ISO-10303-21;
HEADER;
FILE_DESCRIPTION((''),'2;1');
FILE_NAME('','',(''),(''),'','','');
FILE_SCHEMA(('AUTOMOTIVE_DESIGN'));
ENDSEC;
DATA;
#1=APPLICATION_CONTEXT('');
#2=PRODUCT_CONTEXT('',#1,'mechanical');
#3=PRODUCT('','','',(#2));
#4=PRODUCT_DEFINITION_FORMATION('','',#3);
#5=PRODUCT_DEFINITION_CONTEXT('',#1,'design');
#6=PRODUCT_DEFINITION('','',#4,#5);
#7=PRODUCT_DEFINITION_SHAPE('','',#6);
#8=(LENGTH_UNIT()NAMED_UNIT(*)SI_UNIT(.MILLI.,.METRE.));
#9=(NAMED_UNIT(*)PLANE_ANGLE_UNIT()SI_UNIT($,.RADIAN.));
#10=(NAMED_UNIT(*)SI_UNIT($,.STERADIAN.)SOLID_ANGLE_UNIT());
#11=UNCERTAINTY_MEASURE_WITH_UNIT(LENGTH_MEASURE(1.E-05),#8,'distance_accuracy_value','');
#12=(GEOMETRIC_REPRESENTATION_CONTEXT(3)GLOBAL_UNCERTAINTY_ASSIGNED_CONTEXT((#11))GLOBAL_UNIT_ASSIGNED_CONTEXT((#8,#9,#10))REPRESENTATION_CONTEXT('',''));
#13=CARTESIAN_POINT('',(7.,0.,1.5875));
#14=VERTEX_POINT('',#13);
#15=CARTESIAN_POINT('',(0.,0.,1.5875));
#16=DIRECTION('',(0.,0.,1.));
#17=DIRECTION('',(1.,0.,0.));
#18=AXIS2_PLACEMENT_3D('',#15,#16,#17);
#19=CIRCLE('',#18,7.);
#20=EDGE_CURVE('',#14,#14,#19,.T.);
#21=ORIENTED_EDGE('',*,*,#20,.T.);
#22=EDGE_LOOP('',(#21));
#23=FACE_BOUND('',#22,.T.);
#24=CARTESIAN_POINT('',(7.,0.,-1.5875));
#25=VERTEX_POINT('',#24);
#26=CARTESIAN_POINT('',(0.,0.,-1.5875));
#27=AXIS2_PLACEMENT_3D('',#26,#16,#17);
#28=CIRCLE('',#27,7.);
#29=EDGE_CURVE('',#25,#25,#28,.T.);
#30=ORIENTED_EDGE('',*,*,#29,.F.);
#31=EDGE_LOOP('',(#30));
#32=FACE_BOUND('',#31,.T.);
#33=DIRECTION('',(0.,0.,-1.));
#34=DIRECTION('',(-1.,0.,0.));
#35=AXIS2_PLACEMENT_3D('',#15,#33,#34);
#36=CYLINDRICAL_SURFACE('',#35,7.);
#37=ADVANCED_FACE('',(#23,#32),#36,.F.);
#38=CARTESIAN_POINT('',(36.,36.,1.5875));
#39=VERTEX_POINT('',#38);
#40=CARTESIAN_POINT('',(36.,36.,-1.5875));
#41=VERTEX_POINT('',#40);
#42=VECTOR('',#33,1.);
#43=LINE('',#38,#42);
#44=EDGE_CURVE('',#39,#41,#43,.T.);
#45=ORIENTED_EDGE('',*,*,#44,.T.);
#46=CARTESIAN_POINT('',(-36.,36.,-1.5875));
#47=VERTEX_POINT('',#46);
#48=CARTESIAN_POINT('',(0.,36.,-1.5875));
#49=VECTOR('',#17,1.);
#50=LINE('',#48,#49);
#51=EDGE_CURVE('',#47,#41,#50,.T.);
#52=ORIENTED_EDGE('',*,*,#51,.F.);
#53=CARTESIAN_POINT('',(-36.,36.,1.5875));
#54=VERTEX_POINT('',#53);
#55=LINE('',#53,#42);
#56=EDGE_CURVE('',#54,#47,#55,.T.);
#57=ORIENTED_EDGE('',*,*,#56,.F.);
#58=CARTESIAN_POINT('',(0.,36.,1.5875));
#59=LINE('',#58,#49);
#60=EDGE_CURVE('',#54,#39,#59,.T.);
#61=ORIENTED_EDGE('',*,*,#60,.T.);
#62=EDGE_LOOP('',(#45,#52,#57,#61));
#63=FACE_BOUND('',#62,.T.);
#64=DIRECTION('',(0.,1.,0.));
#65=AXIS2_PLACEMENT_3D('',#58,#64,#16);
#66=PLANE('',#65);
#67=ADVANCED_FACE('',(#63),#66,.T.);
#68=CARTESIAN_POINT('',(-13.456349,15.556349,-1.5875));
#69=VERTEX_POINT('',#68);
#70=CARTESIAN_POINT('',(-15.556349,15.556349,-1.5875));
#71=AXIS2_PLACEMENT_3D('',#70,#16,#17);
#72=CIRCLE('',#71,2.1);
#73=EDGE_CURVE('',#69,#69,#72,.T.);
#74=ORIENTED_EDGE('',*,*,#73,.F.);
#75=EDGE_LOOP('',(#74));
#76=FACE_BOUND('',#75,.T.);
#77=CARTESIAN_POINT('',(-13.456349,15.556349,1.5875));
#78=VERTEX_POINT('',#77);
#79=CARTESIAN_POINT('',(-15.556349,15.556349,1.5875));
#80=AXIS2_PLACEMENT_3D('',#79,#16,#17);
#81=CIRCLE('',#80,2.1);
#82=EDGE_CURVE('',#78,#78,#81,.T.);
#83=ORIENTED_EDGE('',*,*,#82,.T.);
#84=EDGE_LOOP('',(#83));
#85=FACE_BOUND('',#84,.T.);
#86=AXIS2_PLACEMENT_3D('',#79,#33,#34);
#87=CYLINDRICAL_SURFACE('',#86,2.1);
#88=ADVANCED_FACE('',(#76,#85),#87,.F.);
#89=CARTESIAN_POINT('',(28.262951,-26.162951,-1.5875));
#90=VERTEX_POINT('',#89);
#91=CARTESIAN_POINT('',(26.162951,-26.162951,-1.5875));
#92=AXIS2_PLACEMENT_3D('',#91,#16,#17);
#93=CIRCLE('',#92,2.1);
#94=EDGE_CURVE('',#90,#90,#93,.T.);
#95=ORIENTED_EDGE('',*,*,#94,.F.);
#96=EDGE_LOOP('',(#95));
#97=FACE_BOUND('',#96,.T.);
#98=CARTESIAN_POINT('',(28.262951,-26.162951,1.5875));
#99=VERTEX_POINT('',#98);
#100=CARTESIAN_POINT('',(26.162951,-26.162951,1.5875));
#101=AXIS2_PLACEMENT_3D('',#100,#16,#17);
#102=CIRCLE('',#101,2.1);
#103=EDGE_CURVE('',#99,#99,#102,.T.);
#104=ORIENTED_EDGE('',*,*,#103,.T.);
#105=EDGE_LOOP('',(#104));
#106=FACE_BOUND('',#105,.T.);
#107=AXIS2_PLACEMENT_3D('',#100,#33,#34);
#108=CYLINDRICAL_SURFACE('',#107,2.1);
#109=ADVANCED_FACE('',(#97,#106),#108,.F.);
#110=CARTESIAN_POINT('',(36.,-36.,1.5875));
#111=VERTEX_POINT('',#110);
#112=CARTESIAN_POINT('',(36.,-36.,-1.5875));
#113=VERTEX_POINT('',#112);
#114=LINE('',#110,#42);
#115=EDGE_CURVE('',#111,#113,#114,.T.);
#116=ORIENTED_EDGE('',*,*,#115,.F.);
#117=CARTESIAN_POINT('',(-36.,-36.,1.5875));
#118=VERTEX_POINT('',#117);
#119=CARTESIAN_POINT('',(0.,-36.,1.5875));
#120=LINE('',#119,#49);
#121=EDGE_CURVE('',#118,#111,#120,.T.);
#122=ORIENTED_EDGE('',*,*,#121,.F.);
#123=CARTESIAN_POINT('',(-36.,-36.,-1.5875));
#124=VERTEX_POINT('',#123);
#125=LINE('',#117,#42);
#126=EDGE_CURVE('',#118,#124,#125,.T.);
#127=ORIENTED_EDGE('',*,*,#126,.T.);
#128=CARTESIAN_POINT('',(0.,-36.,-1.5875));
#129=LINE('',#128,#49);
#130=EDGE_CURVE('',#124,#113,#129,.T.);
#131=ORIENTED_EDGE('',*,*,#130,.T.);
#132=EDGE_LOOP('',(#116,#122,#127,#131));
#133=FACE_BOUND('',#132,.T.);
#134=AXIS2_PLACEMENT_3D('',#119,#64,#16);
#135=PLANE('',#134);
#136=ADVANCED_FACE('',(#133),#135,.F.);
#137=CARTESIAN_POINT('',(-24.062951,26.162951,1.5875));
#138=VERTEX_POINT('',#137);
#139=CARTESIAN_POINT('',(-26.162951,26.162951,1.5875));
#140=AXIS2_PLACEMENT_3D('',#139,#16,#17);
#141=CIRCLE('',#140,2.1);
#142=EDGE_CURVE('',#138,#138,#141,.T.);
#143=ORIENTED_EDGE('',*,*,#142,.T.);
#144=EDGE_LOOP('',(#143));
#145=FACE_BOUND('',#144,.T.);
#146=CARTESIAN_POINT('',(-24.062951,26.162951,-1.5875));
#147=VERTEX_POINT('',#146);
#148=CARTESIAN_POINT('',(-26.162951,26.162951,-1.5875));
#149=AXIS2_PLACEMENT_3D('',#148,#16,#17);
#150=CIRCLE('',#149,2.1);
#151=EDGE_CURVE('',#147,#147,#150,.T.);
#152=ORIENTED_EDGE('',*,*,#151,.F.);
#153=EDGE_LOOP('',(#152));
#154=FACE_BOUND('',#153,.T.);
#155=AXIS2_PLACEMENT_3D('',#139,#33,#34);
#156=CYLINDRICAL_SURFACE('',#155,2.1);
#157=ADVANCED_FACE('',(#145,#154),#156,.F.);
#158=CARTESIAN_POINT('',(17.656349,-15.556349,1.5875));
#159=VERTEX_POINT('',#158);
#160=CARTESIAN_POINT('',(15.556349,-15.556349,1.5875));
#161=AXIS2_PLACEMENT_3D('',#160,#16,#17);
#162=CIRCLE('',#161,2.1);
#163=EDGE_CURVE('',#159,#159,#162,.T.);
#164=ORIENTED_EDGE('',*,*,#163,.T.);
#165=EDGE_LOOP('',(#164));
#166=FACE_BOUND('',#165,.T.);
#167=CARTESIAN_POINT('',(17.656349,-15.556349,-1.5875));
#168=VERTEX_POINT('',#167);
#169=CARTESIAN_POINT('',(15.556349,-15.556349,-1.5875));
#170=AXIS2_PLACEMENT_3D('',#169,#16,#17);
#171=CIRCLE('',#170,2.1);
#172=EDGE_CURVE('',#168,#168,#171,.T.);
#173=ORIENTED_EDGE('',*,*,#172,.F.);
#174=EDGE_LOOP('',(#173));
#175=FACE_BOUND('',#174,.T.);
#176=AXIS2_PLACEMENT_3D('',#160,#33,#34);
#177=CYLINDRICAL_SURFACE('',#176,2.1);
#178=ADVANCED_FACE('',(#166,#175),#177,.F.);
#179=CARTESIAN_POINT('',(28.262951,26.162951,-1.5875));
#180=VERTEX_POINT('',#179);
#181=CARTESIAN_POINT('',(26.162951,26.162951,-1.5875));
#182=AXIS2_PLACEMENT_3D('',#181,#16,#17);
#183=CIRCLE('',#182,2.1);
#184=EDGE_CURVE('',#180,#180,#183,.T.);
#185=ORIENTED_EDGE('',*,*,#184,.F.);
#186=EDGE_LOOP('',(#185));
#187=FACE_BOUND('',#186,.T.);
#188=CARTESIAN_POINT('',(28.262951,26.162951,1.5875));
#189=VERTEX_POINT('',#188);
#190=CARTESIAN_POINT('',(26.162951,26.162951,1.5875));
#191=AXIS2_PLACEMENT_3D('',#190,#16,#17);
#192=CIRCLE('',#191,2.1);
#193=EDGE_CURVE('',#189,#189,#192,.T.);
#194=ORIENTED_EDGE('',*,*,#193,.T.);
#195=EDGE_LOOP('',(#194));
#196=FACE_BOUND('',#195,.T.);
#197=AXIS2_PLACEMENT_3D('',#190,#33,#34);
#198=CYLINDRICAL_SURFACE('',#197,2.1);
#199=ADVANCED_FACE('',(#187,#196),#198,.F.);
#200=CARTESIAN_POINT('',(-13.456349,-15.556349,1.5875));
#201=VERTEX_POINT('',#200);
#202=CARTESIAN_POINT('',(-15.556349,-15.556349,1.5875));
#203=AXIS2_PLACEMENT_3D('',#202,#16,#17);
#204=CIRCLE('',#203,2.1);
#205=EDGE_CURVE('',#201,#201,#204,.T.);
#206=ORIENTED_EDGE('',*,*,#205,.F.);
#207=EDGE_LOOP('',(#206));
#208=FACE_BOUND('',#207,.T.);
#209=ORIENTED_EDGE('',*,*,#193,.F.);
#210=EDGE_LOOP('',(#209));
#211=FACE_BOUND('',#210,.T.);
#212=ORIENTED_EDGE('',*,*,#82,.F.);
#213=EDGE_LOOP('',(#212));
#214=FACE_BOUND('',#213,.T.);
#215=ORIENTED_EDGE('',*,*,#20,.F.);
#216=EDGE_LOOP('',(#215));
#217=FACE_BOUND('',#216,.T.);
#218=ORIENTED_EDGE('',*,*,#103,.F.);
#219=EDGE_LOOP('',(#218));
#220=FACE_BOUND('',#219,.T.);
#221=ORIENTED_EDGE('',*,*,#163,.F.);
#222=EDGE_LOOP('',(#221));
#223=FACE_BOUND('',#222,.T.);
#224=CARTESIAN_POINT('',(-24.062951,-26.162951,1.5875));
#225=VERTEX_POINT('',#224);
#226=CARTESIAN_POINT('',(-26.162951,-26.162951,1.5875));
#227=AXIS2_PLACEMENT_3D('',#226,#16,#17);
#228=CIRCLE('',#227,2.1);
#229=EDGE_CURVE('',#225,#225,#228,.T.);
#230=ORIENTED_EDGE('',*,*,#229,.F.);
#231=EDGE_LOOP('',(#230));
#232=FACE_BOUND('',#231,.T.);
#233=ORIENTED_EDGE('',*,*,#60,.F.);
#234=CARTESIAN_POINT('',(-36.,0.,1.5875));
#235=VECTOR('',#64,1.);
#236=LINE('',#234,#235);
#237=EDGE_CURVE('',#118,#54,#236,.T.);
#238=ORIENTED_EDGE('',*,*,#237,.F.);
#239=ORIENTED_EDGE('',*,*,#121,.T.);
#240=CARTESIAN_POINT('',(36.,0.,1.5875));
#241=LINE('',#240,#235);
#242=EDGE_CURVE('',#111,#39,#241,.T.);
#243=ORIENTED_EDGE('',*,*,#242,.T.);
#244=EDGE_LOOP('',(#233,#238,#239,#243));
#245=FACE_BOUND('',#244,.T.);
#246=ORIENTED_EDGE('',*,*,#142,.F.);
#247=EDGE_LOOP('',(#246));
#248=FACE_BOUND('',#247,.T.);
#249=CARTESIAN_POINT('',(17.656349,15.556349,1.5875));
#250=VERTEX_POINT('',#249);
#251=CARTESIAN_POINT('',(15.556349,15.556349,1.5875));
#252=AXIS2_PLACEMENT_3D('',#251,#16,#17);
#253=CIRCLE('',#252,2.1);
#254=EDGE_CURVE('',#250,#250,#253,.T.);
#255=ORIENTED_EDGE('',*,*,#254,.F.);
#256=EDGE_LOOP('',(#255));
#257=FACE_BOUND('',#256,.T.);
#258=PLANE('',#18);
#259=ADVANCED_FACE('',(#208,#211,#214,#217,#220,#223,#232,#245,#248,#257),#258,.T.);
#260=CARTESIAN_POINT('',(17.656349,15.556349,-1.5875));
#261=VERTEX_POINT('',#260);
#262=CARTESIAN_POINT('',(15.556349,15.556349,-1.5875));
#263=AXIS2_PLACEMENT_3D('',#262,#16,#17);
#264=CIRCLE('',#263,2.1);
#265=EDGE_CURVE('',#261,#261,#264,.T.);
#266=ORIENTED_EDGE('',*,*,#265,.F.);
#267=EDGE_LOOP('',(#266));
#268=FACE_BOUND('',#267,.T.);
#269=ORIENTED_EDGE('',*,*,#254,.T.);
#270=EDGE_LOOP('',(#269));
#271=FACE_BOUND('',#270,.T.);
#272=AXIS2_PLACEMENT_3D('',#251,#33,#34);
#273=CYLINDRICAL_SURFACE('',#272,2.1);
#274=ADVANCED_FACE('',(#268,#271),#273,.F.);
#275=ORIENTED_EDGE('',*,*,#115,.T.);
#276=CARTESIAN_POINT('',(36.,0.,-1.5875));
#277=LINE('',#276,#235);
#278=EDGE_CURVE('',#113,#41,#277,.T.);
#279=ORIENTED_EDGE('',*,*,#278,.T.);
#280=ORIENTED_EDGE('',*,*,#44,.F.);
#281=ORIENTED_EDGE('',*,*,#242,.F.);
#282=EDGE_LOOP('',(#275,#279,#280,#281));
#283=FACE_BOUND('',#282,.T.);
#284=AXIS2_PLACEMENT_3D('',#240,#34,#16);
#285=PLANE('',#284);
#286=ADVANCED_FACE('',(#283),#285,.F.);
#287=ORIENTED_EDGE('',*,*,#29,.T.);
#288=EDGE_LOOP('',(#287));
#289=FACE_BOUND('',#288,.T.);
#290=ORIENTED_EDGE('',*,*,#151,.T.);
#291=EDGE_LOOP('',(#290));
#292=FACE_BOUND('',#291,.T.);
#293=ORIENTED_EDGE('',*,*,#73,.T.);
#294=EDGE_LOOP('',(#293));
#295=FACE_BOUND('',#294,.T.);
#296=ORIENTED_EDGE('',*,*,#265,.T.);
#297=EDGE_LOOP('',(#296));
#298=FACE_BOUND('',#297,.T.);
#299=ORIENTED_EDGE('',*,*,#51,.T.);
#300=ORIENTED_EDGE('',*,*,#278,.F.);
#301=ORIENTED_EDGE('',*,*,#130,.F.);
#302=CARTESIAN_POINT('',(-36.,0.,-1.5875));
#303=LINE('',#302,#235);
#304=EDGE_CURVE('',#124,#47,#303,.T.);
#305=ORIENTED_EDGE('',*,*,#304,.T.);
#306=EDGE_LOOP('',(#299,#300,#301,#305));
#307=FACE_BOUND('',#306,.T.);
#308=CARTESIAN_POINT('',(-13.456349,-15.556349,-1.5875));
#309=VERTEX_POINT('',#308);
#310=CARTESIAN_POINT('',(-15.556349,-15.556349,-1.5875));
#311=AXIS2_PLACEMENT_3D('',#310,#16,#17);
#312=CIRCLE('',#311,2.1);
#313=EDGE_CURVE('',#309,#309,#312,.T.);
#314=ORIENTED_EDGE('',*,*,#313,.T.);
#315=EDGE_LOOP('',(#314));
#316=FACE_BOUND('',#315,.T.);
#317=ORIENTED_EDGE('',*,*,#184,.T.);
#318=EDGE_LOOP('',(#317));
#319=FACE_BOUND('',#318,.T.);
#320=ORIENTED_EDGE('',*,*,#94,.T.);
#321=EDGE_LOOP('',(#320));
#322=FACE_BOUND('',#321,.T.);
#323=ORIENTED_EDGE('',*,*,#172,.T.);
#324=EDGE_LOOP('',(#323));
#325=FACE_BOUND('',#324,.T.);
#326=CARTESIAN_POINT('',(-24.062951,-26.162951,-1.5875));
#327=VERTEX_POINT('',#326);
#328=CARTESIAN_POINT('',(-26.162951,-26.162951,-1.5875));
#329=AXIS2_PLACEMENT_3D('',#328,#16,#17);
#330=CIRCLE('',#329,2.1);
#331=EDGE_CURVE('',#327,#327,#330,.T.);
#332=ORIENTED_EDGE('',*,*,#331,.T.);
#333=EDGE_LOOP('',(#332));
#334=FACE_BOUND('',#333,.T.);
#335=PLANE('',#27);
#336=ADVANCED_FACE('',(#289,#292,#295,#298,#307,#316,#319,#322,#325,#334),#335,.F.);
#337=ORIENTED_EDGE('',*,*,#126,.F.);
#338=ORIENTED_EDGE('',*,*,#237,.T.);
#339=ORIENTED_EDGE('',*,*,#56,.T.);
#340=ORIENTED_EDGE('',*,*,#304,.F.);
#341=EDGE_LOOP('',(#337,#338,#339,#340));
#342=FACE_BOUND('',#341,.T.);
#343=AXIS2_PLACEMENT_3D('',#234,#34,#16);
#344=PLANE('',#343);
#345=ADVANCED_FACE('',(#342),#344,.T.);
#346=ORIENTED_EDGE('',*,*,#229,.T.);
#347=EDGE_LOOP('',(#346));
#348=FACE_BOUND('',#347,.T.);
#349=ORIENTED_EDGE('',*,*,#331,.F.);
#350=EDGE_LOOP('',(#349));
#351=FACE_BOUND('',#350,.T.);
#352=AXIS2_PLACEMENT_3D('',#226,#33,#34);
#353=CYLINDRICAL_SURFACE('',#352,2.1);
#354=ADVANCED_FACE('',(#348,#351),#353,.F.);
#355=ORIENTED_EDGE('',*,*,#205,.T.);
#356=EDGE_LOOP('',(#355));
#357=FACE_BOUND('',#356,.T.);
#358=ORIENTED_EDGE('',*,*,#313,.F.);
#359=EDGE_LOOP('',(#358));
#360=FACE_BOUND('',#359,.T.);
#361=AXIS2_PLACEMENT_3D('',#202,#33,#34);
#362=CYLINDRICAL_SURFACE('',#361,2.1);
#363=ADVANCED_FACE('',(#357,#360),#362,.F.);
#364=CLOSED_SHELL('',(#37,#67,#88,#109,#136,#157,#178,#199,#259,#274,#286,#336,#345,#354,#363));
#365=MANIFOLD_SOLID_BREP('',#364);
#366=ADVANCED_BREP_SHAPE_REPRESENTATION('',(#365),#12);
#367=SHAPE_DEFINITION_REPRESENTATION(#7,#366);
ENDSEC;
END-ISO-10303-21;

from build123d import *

# Parameters (mm, degrees)
SKETCH1_W           = 72
SKETCH1_H           = 72
SKETCH1_R           = 2.1
SKETCH1_R_2         = 7
BOSS_EXTRUDE1_DEPTH = 1.5875


with BuildPart() as part:
    # Sketch1 → Boss-Extrude1 (new, symmetric)
    with BuildSketch(Plane.XY):
        Rectangle(SKETCH1_W, SKETCH1_H)
        with Locations((-15.556349186, 15.556349186)):
            Circle(SKETCH1_R, mode=Mode.SUBTRACT)
        with Locations((15.556349186, 15.556349186)):
            Circle(SKETCH1_R, mode=Mode.SUBTRACT)
        with Locations((15.556349186, -15.556349186)):
            Circle(SKETCH1_R, mode=Mode.SUBTRACT)
        with Locations((-15.556349186, -15.556349186)):
            Circle(SKETCH1_R, mode=Mode.SUBTRACT)
        with Locations((26.162950904, 26.162950904)):
            Circle(SKETCH1_R, mode=Mode.SUBTRACT)
        with Locations((26.162950904, -26.162950904)):
            Circle(SKETCH1_R, mode=Mode.SUBTRACT)
        with Locations((-26.162950904, -26.162950904)):
            Circle(SKETCH1_R, mode=Mode.SUBTRACT)
        with Locations((-26.162950904, 26.162950904)):
            Circle(SKETCH1_R, mode=Mode.SUBTRACT)
        Circle(SKETCH1_R_2, mode=Mode.SUBTRACT)
    extrude(amount=BOSS_EXTRUDE1_DEPTH, both=True)


solid = part.part
